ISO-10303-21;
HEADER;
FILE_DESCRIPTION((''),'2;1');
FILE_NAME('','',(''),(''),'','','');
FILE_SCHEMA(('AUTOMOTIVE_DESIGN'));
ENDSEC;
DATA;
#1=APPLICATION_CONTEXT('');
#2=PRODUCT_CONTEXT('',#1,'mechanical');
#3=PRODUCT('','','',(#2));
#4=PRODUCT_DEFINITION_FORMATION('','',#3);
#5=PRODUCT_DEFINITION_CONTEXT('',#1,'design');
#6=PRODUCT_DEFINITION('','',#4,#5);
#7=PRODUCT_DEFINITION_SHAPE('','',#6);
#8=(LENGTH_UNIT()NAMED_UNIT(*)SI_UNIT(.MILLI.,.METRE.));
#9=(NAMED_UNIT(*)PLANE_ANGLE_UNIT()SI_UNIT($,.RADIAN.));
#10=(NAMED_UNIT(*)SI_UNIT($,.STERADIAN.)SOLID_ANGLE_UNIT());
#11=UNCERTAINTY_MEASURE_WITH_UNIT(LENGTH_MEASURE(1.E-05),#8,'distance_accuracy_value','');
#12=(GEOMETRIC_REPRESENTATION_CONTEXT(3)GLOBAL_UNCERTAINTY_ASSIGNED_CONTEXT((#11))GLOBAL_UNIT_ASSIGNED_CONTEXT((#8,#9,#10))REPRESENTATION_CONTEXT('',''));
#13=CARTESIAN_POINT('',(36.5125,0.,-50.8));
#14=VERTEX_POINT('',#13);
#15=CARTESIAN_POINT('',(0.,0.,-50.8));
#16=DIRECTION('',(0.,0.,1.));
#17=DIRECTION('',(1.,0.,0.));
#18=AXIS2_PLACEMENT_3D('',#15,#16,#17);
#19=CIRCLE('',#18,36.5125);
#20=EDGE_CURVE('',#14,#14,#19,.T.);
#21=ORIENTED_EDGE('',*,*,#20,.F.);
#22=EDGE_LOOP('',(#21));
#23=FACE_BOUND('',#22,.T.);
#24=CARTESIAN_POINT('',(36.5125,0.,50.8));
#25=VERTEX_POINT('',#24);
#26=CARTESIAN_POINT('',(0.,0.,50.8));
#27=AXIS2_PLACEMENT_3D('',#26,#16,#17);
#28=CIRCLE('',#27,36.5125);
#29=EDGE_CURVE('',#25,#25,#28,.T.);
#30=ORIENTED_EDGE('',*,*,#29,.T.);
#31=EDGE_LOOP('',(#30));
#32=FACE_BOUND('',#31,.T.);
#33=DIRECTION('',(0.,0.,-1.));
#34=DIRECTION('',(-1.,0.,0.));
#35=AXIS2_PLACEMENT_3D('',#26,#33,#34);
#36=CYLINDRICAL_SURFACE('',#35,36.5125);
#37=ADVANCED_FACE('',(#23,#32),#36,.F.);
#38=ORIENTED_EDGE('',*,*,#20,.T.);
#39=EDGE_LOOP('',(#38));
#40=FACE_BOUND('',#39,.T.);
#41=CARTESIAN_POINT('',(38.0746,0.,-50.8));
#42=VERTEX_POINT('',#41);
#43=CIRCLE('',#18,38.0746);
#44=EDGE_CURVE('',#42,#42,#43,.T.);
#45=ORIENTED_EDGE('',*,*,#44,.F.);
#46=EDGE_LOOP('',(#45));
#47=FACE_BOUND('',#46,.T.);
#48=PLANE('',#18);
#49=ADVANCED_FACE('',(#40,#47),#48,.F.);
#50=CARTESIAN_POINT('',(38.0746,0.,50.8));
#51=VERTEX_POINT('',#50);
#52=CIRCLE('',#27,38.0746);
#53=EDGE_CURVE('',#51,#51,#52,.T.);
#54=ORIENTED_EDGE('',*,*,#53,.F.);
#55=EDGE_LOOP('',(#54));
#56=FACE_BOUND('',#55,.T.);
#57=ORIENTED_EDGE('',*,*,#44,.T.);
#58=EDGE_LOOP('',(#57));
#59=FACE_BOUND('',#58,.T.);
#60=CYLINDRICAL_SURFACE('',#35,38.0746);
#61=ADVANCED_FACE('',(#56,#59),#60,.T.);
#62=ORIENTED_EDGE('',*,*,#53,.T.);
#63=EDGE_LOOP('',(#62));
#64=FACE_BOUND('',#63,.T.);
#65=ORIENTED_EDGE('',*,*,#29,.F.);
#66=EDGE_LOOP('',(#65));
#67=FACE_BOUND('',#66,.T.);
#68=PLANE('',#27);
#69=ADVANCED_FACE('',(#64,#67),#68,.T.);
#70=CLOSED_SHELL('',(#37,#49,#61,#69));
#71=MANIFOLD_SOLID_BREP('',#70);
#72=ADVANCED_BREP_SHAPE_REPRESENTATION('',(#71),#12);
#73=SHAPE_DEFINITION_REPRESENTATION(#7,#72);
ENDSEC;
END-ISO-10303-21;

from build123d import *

# Parameters (mm, degrees)
SKETCH1_R           = 38.0746
SKETCH1_R_2         = 36.5125
BOSS_EXTRUDE1_DEPTH = 50.8


with BuildPart() as part:
    # Sketch1 → Boss-Extrude1 (new body, symmetric)
    with BuildSketch(Plane.XY):
        Circle(SKETCH1_R)
        Circle(SKETCH1_R_2, mode=Mode.SUBTRACT)
    extrude(amount=BOSS_EXTRUDE1_DEPTH, both=True)


solid = part.part
